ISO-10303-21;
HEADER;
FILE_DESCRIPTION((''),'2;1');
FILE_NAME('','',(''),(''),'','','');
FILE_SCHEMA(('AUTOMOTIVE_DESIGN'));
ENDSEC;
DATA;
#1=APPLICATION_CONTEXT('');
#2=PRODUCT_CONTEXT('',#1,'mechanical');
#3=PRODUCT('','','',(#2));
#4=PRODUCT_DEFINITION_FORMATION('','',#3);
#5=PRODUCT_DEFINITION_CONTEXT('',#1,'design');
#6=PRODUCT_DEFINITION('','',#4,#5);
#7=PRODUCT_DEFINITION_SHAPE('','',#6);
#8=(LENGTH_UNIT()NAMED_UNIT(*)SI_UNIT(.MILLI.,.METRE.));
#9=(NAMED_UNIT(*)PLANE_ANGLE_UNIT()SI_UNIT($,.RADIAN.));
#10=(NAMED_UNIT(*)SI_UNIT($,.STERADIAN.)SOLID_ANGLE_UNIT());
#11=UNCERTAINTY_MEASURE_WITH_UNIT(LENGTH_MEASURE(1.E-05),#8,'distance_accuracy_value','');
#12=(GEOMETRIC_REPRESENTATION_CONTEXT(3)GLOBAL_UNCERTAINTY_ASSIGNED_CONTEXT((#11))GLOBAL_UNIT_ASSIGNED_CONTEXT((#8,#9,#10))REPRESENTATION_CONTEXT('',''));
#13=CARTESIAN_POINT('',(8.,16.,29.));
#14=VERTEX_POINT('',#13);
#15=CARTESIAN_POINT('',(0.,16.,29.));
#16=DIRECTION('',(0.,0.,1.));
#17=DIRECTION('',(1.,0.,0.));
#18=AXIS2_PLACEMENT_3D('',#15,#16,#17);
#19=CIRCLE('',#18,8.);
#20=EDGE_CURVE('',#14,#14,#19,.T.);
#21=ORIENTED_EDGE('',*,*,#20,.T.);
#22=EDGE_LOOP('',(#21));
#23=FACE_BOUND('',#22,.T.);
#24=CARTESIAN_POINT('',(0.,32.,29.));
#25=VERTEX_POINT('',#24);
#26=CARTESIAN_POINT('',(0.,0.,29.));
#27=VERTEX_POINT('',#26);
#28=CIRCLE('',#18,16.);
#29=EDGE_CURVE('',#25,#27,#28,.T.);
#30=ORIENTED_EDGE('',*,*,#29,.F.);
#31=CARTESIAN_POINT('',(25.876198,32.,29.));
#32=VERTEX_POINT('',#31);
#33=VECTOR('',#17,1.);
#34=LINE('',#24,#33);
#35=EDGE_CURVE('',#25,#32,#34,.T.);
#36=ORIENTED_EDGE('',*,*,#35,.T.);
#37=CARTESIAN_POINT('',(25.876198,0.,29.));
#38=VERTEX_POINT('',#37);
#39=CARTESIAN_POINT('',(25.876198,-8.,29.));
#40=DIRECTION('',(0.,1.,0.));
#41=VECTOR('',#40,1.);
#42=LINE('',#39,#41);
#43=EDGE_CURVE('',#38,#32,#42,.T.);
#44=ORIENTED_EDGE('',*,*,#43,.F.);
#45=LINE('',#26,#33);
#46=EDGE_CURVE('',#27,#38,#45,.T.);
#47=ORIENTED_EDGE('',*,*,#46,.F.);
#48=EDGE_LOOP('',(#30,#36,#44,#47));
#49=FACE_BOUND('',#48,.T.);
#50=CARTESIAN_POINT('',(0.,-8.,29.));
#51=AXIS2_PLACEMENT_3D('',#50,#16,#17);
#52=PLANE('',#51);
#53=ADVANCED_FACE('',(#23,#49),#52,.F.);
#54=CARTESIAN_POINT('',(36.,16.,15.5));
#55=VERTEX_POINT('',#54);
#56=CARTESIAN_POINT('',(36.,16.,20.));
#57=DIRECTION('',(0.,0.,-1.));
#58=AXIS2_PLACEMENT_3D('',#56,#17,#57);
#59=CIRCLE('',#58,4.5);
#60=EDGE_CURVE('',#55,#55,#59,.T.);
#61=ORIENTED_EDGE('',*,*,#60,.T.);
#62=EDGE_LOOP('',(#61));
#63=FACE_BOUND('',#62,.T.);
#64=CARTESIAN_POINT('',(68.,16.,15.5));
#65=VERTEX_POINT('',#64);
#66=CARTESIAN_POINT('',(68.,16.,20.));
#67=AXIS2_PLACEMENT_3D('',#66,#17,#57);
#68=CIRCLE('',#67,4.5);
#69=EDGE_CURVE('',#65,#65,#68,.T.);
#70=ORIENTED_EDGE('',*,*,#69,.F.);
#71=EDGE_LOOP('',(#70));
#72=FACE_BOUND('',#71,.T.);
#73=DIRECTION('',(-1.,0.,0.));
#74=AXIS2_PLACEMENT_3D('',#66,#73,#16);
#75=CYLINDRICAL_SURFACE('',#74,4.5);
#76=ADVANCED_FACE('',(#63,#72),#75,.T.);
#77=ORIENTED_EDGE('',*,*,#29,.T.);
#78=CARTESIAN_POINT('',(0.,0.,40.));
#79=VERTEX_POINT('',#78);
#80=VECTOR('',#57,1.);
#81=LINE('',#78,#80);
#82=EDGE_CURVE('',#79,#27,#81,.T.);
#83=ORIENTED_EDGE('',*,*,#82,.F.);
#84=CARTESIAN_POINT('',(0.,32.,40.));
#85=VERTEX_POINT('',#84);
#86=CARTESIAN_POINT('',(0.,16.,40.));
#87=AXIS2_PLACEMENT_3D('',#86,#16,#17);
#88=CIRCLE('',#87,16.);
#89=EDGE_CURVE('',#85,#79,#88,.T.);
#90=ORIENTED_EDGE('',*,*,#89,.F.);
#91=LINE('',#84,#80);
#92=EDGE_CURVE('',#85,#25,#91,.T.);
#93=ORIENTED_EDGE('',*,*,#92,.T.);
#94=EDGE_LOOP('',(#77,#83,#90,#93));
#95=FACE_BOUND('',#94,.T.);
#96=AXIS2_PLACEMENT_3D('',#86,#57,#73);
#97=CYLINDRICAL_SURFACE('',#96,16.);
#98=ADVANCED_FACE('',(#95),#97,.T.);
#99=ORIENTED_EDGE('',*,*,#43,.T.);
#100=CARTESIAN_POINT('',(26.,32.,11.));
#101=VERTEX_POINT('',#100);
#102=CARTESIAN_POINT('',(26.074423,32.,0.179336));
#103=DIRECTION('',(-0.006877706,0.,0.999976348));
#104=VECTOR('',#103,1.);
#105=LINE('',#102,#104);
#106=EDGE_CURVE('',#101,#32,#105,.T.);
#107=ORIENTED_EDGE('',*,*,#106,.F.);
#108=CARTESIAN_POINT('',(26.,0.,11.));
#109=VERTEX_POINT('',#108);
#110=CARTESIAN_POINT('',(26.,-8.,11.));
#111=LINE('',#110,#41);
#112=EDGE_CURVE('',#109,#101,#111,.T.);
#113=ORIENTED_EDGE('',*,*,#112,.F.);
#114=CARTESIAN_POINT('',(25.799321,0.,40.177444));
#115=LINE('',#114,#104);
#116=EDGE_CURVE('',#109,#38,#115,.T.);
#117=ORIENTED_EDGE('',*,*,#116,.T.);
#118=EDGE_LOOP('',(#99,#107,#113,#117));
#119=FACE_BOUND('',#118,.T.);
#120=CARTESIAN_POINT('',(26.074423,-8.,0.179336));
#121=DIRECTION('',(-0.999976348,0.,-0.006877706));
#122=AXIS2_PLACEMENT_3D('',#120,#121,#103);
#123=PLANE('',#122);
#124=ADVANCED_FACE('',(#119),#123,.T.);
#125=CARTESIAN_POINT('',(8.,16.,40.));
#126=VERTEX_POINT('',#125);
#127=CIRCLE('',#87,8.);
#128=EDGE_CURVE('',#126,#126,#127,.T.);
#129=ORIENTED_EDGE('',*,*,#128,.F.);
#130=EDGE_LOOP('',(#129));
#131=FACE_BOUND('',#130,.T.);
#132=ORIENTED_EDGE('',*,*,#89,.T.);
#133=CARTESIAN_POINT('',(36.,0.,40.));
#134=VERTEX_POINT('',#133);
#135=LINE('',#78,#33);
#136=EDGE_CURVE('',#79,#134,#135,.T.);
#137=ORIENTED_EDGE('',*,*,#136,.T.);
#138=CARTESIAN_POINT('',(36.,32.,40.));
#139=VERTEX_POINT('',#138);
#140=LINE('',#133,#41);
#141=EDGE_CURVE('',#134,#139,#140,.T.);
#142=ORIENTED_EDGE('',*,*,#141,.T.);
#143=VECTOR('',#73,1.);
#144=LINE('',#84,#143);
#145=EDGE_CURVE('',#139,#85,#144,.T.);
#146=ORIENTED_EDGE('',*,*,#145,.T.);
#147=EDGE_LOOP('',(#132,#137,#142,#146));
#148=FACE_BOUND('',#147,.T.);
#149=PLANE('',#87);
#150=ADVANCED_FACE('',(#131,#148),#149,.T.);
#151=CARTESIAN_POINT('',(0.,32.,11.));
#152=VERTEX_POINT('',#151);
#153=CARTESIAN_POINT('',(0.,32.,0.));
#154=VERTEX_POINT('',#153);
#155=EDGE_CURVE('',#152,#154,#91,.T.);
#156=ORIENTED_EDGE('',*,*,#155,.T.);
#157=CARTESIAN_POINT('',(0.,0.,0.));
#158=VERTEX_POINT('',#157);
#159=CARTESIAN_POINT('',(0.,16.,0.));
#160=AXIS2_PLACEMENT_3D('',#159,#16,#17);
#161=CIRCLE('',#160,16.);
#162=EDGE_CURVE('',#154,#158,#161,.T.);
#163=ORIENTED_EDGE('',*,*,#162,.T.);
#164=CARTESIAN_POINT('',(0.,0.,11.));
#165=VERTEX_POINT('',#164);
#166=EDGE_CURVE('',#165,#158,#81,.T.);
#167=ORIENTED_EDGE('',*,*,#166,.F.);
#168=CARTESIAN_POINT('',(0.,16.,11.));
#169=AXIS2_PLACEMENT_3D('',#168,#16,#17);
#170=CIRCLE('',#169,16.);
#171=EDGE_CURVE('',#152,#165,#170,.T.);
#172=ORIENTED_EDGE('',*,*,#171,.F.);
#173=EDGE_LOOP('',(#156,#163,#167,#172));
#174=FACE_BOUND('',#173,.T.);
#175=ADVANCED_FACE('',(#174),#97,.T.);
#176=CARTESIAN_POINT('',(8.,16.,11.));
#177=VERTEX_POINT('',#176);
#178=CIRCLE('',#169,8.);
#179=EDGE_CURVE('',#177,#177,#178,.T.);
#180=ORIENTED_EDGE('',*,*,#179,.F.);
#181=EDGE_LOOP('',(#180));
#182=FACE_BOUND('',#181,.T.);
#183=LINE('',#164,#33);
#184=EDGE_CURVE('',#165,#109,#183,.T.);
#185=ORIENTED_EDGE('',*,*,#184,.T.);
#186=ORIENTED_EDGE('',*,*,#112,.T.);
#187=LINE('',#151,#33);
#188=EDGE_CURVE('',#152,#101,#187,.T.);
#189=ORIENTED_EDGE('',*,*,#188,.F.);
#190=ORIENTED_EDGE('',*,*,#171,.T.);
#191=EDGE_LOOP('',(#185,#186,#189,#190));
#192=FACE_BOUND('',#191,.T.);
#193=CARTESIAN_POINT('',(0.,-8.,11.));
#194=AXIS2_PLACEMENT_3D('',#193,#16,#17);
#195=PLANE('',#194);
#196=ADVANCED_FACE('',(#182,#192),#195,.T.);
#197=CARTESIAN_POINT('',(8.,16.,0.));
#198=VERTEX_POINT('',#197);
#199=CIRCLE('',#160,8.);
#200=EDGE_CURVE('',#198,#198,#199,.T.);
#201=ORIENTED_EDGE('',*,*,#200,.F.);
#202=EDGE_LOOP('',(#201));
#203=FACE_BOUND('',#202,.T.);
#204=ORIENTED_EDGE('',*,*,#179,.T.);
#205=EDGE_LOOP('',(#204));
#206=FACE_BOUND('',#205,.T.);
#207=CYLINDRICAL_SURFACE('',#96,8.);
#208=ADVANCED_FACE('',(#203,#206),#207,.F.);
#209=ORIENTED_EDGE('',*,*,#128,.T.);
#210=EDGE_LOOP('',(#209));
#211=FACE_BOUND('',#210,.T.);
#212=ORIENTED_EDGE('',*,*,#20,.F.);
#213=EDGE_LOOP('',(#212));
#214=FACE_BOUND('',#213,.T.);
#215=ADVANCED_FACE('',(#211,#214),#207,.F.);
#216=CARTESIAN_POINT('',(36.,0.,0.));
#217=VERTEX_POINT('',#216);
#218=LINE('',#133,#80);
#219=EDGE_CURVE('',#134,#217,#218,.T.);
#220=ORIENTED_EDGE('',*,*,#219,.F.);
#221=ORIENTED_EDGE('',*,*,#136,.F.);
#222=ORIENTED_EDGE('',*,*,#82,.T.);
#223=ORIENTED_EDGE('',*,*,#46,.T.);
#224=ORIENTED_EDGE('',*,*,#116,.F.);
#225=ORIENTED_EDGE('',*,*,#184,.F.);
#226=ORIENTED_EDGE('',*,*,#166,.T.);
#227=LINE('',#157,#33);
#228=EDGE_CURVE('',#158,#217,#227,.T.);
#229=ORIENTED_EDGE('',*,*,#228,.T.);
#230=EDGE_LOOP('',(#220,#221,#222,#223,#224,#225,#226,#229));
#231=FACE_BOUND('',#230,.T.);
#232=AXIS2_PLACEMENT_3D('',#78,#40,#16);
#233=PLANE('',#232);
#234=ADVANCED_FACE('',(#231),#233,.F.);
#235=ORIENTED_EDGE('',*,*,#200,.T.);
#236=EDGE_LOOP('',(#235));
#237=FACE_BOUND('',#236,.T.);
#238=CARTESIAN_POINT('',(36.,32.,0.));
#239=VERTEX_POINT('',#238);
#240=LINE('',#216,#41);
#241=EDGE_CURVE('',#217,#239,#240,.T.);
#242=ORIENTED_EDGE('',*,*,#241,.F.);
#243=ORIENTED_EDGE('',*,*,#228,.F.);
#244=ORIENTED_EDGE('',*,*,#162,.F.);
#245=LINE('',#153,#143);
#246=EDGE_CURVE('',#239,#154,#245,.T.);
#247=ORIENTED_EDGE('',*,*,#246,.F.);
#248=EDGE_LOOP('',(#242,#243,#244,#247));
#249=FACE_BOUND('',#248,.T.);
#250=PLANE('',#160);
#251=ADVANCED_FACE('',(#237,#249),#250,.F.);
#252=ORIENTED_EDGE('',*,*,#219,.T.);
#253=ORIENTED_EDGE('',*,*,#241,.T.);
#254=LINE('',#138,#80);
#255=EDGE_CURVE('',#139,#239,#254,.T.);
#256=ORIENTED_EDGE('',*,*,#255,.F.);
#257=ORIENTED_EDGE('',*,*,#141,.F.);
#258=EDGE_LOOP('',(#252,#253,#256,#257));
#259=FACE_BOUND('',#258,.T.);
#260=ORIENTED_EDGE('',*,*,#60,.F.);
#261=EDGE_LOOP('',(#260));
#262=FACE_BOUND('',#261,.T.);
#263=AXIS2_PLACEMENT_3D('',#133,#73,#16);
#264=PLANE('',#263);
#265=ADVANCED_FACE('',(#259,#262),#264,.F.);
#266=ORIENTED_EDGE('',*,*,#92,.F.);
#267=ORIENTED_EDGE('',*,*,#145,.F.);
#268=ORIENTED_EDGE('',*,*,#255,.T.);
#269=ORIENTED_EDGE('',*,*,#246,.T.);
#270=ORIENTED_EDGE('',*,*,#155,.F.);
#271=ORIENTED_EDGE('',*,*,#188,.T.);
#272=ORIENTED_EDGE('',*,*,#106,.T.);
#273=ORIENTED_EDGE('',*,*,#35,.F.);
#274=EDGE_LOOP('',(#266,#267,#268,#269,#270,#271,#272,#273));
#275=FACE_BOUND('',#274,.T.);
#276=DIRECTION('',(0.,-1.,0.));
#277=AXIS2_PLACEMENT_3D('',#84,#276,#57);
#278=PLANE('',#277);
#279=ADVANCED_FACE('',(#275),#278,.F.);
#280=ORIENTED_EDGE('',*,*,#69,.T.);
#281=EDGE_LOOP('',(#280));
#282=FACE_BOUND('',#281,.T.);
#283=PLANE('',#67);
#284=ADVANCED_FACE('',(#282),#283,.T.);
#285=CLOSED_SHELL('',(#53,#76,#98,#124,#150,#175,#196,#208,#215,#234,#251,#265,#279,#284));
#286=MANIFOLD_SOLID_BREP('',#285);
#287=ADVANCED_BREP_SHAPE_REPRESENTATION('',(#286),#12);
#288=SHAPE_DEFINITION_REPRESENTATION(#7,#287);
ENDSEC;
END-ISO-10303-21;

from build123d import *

# Parameters (mm, degrees)
SKETCH2_R           = 8
BOSS_EXTRUDE1_DEPTH = 40
CUT_EXTRUDE1_DEPTH  = 40
SKETCH4_R           = 4.5
BOSS_EXTRUDE2_DEPTH = 32


with BuildPart() as part:
    # Sketch2 → Boss-Extrude1 (new body)
    with BuildSketch(Plane.XY):
        with BuildLine():
            Line((0, 0), (36, 0))
            Line((36, 0), (36, 32))
            Line((36, 32), (0, 32))
            ThreePointArc((0, 32), (-16, 16), (0, 0))
        make_face()
        with Locations((0, 16)):
            Circle(SKETCH2_R, mode=Mode.SUBTRACT)
    extrude(amount=BOSS_EXTRUDE1_DEPTH)

    # Sketch3 → Cut-Extrude1 (cut)
    with BuildSketch(Plane(origin=(0, 32, 0), x_dir=(1, 0, 0), z_dir=(0, 1, 0))):
        Polygon((26, -11), (0, -11), (0, -29), (25.876198368, -29), align=None)
        Polygon((0, -11), (-16, -11), (-16.123801632, -29), (0, -29), align=None)
    extrude(amount=-CUT_EXTRUDE1_DEPTH, mode=Mode.SUBTRACT)

    # Sketch4 → Boss-Extrude2 (add)
    with BuildSketch(Plane(origin=(36, 0, 0), x_dir=(0, 0, -1), z_dir=(1, 0, 0))):
        with Locations((-20, 16)):
            Circle(SKETCH4_R)
    extrude(amount=BOSS_EXTRUDE2_DEPTH)


solid = part.part
